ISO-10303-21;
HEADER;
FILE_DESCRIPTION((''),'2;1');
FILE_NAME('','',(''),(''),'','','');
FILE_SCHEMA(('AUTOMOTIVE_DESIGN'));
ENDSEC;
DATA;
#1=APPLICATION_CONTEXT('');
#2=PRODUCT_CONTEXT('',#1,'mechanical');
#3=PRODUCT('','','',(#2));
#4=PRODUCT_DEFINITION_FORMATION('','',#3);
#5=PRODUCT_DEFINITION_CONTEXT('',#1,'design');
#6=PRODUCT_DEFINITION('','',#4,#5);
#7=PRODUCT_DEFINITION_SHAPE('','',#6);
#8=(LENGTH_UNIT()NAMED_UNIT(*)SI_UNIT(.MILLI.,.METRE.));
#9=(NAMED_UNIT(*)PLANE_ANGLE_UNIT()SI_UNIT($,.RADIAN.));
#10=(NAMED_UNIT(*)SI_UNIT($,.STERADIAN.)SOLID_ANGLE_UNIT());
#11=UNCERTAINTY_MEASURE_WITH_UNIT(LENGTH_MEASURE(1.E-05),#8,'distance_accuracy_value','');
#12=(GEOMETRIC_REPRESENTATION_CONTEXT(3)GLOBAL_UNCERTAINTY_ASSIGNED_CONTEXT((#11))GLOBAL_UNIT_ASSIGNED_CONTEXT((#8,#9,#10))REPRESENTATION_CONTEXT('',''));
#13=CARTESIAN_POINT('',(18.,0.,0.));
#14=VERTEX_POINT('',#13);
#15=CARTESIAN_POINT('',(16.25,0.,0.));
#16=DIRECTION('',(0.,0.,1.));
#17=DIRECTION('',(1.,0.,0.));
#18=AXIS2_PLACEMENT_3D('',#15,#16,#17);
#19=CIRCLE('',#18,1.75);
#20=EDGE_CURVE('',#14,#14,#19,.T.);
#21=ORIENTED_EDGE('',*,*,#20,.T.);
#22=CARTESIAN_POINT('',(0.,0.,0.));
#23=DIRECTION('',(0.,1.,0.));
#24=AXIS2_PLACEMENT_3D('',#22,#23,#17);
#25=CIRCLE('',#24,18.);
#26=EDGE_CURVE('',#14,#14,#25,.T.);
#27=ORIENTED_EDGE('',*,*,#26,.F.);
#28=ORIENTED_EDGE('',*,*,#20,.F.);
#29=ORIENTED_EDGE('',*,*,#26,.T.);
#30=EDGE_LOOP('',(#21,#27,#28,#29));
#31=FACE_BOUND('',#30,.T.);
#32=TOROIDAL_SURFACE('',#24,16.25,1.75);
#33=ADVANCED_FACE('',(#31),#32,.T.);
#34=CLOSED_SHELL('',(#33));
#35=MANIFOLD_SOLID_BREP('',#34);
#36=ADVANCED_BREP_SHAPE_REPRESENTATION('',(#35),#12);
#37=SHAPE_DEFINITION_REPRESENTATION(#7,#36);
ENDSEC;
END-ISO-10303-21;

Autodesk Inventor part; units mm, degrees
ref_plane "YZ Plane" through (0, 0, 0) normal (1, 0, 0) x (0, 1, 0)
ref_plane "XZ Plane" through (0, 0, 0) normal (0, 1, 0) x (-1, 0, 0)
ref_plane "XY Plane" through (0, 0, 0) normal (0, 0, 1) x (1, 0, 0)
sketch "Sketch1" plane through (0, 0, 0) normal (0, 0, 1) x (1, 0, 0)
  circle A0 centre (16.25, 0) radius 1.75
  line L0 (0, 0) -> (0, 11.1792) construction
  dimension "d0" = 3.5
  dimension "d1" = 16.25
revolve "Revolution1" add sketch "Sketch1" angle 360 about axis through (0, 0, 0) along (0, 1, 0)
ref_plane "Work Plane1" through (0, 0, 0) normal (0, -1, 0) x (1, 0, 0)
properties part number "R-22-O-ring" material "Rubber"
